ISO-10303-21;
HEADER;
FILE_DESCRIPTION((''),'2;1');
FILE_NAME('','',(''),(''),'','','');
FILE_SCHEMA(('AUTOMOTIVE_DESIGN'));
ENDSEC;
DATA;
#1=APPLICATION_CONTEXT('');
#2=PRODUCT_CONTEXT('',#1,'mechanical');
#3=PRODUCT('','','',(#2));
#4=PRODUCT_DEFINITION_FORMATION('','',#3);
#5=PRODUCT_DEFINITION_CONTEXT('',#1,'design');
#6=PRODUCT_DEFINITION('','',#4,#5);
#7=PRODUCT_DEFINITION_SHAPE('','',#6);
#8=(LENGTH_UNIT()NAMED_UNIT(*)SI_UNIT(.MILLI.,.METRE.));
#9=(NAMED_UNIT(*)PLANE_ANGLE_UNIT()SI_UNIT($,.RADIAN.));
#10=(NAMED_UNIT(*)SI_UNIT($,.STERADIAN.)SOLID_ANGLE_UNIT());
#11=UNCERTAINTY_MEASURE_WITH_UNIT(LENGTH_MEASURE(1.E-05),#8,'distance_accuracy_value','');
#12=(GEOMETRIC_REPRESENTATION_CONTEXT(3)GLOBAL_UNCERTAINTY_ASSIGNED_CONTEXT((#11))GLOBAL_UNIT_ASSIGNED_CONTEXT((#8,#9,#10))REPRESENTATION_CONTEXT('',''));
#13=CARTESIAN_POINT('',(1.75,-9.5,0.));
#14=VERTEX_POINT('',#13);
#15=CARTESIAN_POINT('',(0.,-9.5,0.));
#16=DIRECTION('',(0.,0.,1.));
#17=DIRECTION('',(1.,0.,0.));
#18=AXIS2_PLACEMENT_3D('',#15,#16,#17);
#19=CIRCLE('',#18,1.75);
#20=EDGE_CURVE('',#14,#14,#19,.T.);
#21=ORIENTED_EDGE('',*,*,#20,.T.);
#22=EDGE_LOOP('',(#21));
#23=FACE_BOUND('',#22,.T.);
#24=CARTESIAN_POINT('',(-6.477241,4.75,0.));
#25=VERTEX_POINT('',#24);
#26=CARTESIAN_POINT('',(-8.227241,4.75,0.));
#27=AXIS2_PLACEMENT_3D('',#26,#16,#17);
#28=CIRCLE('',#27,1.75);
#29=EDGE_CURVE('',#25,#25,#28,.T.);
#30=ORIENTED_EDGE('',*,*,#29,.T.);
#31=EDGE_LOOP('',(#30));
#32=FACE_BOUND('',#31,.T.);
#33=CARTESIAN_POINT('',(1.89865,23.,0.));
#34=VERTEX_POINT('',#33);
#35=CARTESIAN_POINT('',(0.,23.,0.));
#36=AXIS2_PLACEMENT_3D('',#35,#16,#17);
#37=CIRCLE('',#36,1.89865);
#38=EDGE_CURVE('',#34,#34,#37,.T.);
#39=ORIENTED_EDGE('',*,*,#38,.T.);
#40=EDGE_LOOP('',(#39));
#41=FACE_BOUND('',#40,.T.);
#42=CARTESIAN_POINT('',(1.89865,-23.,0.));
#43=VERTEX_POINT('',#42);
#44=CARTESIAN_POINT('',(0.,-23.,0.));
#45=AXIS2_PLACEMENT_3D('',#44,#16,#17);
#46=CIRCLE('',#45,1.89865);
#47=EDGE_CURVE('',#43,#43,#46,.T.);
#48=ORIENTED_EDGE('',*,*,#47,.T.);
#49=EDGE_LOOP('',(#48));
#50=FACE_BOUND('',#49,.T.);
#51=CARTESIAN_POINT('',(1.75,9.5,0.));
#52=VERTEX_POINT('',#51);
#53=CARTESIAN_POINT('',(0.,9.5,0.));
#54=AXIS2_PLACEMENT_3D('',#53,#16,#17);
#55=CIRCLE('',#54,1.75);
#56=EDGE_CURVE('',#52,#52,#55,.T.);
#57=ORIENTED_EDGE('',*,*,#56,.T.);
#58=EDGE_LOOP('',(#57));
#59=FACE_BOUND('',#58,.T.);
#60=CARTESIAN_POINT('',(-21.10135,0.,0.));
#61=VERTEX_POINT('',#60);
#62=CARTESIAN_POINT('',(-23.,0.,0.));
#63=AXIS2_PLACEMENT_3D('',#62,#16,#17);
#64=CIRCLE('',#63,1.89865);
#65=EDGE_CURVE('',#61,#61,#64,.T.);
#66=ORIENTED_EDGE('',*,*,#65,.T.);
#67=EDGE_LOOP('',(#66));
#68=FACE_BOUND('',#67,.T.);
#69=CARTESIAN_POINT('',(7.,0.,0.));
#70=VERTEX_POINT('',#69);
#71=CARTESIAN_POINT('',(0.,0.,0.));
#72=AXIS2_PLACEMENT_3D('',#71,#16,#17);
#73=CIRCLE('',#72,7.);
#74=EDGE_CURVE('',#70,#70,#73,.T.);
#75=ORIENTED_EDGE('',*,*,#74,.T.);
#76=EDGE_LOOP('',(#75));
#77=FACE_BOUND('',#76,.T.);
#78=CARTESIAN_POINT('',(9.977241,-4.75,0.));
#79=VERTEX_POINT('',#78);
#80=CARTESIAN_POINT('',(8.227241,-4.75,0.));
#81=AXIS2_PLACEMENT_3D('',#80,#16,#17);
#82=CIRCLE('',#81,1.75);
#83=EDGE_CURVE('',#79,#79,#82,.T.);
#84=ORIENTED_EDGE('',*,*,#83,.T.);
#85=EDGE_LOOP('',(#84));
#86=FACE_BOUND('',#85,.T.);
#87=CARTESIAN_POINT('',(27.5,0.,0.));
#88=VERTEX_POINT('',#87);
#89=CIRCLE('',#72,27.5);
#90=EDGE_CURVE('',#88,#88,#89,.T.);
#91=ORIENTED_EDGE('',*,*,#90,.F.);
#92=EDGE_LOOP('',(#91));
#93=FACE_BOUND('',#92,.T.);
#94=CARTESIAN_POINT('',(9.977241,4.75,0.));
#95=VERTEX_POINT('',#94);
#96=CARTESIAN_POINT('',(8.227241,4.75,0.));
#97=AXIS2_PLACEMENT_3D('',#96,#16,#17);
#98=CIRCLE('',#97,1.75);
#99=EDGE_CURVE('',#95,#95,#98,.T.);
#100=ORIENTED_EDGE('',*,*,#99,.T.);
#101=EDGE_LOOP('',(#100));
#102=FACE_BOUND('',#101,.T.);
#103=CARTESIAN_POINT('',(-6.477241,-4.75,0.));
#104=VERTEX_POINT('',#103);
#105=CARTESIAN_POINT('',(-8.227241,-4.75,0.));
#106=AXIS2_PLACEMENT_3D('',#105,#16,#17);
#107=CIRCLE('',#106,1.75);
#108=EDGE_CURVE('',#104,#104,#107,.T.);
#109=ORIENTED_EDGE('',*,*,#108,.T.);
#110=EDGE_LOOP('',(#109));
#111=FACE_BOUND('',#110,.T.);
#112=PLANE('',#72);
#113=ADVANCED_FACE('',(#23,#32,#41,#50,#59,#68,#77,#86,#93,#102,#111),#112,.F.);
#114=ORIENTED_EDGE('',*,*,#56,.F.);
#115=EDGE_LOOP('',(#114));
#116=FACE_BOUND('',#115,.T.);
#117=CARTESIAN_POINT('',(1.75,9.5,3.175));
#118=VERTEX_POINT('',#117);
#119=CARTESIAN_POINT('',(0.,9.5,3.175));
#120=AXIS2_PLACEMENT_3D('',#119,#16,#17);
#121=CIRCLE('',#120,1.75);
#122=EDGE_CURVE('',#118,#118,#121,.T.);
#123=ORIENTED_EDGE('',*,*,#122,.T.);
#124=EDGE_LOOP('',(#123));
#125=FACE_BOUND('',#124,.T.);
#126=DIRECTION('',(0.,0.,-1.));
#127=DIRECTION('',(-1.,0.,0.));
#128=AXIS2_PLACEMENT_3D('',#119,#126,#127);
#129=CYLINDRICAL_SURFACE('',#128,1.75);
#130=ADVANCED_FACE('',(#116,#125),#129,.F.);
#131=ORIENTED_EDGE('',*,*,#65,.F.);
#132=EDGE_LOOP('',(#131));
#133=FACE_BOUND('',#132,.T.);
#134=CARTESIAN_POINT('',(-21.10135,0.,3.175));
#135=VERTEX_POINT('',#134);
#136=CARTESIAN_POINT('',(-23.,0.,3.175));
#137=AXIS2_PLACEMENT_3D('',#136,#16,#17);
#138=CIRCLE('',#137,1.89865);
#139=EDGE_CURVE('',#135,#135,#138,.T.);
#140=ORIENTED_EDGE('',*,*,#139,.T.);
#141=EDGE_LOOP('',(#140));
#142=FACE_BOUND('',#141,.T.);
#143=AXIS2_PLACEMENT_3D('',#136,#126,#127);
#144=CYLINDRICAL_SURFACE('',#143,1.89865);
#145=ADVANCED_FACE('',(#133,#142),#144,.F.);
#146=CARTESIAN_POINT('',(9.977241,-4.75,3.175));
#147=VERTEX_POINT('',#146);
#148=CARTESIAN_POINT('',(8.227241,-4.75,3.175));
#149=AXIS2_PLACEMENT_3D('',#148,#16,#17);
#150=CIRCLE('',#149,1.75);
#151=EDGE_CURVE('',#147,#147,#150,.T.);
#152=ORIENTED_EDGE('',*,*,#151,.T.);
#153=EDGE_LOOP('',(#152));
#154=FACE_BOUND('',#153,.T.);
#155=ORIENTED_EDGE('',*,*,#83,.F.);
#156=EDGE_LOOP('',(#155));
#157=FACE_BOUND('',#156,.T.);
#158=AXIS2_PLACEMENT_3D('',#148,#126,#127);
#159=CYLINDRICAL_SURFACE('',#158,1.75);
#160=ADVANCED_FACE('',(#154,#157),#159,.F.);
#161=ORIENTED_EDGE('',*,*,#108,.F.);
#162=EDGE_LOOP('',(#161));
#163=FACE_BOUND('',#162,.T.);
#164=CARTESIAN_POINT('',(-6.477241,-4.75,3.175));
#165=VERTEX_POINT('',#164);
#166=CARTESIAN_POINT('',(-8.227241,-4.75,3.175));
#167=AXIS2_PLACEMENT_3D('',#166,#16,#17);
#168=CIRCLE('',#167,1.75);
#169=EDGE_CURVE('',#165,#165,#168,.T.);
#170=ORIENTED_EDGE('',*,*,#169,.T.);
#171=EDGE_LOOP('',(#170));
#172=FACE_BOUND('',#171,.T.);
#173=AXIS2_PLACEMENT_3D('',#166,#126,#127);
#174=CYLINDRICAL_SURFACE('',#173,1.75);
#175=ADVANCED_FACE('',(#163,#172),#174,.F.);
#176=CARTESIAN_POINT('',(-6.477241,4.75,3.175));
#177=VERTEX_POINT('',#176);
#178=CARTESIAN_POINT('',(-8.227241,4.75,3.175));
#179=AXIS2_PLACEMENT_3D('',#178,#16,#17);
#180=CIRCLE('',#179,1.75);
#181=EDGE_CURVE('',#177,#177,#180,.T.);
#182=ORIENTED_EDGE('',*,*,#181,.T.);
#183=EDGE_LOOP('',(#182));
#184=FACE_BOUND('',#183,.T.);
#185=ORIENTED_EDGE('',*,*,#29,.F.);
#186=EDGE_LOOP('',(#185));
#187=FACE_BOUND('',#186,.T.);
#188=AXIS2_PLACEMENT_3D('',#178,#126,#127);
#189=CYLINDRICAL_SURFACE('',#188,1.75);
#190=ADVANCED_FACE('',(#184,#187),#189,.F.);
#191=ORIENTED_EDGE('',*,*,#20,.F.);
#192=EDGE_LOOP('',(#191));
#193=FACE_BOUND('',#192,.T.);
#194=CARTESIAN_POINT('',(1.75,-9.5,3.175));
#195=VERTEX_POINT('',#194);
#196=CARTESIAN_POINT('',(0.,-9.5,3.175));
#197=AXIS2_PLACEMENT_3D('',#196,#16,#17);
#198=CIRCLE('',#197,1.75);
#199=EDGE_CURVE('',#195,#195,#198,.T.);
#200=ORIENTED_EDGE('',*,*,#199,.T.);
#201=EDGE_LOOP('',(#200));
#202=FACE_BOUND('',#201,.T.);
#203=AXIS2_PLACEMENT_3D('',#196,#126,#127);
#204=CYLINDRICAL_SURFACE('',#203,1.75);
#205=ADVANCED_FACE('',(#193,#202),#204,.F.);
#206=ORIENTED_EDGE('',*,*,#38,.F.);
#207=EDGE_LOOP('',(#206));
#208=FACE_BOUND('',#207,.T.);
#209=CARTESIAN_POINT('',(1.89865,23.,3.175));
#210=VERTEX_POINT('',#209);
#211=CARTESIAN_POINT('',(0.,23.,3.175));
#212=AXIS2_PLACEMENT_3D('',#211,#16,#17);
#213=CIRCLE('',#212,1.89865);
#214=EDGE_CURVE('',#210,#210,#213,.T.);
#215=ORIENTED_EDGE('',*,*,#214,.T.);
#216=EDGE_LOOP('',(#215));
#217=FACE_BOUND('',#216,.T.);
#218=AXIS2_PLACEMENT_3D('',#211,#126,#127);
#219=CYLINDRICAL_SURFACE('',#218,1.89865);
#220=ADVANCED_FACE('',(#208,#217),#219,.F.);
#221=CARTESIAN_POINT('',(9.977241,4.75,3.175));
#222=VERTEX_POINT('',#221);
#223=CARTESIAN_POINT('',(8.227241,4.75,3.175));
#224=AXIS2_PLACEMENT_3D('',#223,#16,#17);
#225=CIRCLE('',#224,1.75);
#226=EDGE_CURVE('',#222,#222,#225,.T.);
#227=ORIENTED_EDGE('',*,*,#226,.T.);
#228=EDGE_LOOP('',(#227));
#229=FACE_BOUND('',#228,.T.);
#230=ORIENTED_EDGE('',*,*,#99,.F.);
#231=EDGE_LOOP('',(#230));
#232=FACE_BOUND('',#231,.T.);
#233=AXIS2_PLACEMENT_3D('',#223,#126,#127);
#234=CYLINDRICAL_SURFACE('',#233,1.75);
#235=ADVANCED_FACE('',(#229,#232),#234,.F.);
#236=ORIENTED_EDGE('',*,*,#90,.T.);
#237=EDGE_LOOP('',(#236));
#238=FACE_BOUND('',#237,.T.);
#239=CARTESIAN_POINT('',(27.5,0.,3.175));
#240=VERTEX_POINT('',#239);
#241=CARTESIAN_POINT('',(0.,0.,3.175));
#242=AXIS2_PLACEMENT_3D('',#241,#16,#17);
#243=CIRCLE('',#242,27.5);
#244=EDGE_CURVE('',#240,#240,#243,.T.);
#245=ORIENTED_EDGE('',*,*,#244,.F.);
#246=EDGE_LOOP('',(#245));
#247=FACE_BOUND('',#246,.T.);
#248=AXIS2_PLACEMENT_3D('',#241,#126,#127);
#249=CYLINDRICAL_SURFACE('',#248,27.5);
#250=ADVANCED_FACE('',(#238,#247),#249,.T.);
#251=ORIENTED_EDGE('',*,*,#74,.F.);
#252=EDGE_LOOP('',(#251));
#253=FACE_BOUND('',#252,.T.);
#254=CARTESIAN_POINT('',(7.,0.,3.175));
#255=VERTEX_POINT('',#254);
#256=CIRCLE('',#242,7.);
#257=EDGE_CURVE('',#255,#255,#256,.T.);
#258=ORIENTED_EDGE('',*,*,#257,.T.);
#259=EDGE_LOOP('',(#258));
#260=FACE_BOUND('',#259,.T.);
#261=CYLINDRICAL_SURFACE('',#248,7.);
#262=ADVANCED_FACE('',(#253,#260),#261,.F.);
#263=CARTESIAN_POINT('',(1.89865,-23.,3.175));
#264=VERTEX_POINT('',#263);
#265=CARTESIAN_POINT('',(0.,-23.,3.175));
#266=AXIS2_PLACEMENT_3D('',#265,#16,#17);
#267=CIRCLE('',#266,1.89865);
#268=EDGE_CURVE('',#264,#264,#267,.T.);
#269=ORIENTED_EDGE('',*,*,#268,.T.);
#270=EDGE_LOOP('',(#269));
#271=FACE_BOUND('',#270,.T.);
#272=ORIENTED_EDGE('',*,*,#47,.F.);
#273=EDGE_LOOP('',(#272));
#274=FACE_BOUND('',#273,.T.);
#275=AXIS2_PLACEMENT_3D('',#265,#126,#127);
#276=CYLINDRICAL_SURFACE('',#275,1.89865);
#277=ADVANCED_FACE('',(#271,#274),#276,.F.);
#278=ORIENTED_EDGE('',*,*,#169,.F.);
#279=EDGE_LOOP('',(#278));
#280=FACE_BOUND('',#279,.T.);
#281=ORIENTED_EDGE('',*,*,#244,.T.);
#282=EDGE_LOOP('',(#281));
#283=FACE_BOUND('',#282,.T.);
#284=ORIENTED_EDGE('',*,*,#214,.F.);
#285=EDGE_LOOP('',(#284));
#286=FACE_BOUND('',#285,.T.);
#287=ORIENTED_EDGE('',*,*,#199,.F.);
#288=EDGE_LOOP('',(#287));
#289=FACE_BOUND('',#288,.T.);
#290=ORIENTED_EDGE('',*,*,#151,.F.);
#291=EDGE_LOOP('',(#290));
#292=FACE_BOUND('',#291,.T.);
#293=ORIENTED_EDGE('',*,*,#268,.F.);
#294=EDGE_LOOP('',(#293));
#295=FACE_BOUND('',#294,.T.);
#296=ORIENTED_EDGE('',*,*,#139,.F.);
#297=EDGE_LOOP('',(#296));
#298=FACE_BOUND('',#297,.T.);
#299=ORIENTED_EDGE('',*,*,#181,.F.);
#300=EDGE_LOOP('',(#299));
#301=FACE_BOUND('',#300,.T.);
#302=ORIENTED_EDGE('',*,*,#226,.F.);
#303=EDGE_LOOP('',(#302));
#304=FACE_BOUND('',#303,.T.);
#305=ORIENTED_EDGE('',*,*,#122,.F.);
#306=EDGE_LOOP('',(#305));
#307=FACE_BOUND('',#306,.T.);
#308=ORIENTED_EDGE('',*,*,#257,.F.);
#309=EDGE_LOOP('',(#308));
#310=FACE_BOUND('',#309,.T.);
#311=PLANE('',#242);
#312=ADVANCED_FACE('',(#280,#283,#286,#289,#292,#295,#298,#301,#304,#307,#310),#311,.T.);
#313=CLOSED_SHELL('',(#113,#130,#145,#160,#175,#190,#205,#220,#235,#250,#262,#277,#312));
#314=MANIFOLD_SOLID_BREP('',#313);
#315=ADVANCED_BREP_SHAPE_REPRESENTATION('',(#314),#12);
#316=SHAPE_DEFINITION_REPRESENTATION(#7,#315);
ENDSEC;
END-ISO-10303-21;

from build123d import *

# Parameters (mm, degrees)
SKETCH1_R           = 27.5
SKETCH1_R_2         = 7
SKETCH1_R_3         = 1.89865
SKETCH1_R_4         = 1.75
BOSS_EXTRUDE1_DEPTH = 3.175


with BuildPart() as part:
    # Sketch1 → Boss-Extrude1 (new body)
    with BuildSketch(Plane.XY):
        Circle(SKETCH1_R)
        Circle(SKETCH1_R_2, mode=Mode.SUBTRACT)
        with Locations((0, 23)):
            Circle(SKETCH1_R_3, mode=Mode.SUBTRACT)
        with Locations((0, -23)):
            Circle(SKETCH1_R_3, mode=Mode.SUBTRACT)
        with Locations((-23, 0)):
            Circle(SKETCH1_R_3, mode=Mode.SUBTRACT)
        with Locations((0, 9.5)):
            Circle(SKETCH1_R_4, mode=Mode.SUBTRACT)
        with Locations((8.227241336, 4.75)):
            Circle(SKETCH1_R_4, mode=Mode.SUBTRACT)
        with Locations((8.227241336, -4.75)):
            Circle(SKETCH1_R_4, mode=Mode.SUBTRACT)
        with Locations((0, -9.5)):
            Circle(SKETCH1_R_4, mode=Mode.SUBTRACT)
        with Locations((-8.227241336, -4.75)):
            Circle(SKETCH1_R_4, mode=Mode.SUBTRACT)
        with Locations((-8.227241336, 4.75)):
            Circle(SKETCH1_R_4, mode=Mode.SUBTRACT)
    extrude(amount=BOSS_EXTRUDE1_DEPTH)


solid = part.part
